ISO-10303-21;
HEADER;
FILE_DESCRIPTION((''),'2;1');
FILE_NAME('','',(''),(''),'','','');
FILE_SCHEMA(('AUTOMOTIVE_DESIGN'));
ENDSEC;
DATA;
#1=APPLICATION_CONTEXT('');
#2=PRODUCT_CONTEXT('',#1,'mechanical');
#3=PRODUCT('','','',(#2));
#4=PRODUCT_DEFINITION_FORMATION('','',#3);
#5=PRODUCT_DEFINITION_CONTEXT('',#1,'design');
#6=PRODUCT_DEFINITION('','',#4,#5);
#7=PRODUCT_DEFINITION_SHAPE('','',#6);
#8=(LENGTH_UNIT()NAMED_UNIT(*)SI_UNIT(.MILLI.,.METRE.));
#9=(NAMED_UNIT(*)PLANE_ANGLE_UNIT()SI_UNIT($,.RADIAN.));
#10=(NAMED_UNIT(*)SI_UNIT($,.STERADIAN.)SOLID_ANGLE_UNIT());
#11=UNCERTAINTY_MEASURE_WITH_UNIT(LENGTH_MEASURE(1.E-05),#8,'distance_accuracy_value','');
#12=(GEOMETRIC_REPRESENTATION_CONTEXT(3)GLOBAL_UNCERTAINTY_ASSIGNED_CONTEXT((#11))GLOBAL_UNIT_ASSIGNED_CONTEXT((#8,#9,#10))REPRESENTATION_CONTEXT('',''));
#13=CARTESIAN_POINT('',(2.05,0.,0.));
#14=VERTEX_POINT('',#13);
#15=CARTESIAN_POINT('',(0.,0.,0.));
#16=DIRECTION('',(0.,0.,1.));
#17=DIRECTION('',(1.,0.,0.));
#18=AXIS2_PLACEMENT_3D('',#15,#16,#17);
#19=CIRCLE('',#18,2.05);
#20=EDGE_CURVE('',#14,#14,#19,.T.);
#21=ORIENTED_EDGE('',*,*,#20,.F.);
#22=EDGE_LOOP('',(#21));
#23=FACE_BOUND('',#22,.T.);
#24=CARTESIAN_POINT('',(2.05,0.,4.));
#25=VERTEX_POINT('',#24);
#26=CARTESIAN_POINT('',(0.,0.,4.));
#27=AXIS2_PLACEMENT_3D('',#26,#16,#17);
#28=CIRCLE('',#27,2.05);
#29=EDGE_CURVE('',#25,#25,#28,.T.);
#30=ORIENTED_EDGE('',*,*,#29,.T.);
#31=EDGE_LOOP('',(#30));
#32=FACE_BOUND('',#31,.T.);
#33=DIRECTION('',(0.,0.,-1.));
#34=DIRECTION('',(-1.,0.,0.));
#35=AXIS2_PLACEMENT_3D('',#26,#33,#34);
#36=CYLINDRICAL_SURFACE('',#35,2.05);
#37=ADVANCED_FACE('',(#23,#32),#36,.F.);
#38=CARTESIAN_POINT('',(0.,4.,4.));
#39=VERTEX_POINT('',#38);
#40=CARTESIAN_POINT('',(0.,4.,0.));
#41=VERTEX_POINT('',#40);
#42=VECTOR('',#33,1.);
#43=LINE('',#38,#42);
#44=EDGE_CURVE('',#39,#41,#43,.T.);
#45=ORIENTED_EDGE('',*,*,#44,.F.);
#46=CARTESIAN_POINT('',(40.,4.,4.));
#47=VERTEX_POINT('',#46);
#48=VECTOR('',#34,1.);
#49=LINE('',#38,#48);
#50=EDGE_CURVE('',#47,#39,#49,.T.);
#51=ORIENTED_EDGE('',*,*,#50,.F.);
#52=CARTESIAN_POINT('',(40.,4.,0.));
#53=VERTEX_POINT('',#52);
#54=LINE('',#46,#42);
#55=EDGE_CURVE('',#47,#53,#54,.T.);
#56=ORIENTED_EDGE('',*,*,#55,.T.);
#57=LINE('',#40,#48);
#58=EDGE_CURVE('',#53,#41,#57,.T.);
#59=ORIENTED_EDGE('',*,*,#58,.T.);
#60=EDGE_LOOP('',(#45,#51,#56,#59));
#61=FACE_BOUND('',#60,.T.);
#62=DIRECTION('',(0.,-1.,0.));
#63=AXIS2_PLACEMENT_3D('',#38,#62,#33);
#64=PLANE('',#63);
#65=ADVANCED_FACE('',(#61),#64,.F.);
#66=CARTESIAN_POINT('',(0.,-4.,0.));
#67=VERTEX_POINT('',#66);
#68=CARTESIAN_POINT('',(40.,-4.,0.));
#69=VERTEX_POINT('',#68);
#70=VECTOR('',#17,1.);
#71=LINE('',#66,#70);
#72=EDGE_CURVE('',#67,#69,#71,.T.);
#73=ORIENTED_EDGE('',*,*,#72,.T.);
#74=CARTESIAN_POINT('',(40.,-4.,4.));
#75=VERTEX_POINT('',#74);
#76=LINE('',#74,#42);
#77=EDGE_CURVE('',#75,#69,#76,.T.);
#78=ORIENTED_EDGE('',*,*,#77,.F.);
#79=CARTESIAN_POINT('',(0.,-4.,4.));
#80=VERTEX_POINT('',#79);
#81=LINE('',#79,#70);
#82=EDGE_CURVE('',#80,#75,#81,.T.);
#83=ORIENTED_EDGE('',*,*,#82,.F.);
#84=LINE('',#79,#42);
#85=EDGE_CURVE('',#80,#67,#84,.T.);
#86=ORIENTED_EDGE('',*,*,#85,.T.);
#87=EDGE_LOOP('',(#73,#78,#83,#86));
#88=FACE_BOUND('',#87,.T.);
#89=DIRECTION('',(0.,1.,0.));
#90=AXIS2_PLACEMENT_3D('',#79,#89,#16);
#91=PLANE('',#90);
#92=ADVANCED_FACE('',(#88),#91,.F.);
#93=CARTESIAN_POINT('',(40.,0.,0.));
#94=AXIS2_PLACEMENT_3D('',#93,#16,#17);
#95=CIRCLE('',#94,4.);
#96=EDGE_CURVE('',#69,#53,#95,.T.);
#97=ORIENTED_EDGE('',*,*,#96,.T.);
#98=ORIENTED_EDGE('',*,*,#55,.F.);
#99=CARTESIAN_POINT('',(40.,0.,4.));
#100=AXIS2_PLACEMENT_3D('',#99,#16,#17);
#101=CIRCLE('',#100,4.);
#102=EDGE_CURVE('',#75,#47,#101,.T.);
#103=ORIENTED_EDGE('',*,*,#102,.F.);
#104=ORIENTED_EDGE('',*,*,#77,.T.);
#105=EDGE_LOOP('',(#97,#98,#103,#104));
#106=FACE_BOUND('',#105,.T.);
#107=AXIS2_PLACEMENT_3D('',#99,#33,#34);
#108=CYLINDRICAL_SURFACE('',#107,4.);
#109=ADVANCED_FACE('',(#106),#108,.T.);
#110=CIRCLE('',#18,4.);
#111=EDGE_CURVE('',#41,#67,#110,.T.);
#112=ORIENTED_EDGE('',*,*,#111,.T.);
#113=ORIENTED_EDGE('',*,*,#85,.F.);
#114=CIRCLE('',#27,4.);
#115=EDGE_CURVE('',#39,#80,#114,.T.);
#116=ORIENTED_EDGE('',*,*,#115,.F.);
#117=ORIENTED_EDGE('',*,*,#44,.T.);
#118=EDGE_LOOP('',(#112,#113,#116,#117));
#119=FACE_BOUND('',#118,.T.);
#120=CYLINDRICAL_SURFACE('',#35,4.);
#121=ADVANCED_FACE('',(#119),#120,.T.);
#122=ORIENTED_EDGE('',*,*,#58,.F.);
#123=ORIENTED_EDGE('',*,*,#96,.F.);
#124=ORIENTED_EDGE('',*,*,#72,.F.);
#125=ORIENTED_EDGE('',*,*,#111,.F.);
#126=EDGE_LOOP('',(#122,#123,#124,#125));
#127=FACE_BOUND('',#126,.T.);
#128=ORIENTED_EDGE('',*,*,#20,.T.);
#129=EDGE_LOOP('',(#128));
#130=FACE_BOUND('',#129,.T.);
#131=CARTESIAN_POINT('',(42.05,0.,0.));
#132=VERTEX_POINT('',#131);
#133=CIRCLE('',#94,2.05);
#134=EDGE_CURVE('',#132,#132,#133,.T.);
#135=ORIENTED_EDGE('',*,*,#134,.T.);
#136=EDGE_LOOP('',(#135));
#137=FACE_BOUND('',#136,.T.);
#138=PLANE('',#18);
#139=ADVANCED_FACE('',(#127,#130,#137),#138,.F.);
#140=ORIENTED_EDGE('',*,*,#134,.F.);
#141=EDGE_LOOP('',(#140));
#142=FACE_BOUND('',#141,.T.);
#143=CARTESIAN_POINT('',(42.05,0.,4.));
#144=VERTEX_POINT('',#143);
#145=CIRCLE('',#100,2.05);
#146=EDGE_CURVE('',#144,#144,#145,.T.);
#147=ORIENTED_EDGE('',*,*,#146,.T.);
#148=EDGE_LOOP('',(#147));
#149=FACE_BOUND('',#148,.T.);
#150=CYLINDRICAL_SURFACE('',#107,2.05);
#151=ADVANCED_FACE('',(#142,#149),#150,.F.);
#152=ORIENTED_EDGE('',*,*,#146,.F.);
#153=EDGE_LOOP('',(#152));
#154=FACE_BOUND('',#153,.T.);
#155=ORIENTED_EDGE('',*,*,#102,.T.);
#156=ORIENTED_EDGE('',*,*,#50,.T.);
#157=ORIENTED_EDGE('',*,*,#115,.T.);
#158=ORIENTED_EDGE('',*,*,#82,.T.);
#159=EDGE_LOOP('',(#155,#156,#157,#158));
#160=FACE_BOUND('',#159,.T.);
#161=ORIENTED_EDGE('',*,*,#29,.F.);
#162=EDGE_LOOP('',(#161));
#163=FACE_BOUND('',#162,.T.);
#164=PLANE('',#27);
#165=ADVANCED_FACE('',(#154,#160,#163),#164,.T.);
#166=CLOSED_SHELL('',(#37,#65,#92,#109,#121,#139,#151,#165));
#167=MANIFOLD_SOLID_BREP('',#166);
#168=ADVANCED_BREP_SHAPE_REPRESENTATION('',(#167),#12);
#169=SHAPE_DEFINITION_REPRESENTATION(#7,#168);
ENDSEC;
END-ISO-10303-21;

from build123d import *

# Parameters (mm, degrees)
SKETCH_1_R      = 2.05
EXTRUDE_1_DEPTH = 4


with BuildPart() as part:
    # 스케치1 → 보스-돌출1 (new body)
    with BuildSketch(Plane.XY):
        with BuildLine():
            Line((0, 4), (40, 4))
            ThreePointArc((40, 4), (44, 0), (40, -4))
            Line((40, -4), (0, -4))
            ThreePointArc((0, -4), (-4, 0), (0, 4))
        make_face()
        Circle(SKETCH_1_R, mode=Mode.SUBTRACT)
        with Locations((40, 0)):
            Circle(SKETCH_1_R, mode=Mode.SUBTRACT)
    extrude(amount=EXTRUDE_1_DEPTH)


solid = part.part
